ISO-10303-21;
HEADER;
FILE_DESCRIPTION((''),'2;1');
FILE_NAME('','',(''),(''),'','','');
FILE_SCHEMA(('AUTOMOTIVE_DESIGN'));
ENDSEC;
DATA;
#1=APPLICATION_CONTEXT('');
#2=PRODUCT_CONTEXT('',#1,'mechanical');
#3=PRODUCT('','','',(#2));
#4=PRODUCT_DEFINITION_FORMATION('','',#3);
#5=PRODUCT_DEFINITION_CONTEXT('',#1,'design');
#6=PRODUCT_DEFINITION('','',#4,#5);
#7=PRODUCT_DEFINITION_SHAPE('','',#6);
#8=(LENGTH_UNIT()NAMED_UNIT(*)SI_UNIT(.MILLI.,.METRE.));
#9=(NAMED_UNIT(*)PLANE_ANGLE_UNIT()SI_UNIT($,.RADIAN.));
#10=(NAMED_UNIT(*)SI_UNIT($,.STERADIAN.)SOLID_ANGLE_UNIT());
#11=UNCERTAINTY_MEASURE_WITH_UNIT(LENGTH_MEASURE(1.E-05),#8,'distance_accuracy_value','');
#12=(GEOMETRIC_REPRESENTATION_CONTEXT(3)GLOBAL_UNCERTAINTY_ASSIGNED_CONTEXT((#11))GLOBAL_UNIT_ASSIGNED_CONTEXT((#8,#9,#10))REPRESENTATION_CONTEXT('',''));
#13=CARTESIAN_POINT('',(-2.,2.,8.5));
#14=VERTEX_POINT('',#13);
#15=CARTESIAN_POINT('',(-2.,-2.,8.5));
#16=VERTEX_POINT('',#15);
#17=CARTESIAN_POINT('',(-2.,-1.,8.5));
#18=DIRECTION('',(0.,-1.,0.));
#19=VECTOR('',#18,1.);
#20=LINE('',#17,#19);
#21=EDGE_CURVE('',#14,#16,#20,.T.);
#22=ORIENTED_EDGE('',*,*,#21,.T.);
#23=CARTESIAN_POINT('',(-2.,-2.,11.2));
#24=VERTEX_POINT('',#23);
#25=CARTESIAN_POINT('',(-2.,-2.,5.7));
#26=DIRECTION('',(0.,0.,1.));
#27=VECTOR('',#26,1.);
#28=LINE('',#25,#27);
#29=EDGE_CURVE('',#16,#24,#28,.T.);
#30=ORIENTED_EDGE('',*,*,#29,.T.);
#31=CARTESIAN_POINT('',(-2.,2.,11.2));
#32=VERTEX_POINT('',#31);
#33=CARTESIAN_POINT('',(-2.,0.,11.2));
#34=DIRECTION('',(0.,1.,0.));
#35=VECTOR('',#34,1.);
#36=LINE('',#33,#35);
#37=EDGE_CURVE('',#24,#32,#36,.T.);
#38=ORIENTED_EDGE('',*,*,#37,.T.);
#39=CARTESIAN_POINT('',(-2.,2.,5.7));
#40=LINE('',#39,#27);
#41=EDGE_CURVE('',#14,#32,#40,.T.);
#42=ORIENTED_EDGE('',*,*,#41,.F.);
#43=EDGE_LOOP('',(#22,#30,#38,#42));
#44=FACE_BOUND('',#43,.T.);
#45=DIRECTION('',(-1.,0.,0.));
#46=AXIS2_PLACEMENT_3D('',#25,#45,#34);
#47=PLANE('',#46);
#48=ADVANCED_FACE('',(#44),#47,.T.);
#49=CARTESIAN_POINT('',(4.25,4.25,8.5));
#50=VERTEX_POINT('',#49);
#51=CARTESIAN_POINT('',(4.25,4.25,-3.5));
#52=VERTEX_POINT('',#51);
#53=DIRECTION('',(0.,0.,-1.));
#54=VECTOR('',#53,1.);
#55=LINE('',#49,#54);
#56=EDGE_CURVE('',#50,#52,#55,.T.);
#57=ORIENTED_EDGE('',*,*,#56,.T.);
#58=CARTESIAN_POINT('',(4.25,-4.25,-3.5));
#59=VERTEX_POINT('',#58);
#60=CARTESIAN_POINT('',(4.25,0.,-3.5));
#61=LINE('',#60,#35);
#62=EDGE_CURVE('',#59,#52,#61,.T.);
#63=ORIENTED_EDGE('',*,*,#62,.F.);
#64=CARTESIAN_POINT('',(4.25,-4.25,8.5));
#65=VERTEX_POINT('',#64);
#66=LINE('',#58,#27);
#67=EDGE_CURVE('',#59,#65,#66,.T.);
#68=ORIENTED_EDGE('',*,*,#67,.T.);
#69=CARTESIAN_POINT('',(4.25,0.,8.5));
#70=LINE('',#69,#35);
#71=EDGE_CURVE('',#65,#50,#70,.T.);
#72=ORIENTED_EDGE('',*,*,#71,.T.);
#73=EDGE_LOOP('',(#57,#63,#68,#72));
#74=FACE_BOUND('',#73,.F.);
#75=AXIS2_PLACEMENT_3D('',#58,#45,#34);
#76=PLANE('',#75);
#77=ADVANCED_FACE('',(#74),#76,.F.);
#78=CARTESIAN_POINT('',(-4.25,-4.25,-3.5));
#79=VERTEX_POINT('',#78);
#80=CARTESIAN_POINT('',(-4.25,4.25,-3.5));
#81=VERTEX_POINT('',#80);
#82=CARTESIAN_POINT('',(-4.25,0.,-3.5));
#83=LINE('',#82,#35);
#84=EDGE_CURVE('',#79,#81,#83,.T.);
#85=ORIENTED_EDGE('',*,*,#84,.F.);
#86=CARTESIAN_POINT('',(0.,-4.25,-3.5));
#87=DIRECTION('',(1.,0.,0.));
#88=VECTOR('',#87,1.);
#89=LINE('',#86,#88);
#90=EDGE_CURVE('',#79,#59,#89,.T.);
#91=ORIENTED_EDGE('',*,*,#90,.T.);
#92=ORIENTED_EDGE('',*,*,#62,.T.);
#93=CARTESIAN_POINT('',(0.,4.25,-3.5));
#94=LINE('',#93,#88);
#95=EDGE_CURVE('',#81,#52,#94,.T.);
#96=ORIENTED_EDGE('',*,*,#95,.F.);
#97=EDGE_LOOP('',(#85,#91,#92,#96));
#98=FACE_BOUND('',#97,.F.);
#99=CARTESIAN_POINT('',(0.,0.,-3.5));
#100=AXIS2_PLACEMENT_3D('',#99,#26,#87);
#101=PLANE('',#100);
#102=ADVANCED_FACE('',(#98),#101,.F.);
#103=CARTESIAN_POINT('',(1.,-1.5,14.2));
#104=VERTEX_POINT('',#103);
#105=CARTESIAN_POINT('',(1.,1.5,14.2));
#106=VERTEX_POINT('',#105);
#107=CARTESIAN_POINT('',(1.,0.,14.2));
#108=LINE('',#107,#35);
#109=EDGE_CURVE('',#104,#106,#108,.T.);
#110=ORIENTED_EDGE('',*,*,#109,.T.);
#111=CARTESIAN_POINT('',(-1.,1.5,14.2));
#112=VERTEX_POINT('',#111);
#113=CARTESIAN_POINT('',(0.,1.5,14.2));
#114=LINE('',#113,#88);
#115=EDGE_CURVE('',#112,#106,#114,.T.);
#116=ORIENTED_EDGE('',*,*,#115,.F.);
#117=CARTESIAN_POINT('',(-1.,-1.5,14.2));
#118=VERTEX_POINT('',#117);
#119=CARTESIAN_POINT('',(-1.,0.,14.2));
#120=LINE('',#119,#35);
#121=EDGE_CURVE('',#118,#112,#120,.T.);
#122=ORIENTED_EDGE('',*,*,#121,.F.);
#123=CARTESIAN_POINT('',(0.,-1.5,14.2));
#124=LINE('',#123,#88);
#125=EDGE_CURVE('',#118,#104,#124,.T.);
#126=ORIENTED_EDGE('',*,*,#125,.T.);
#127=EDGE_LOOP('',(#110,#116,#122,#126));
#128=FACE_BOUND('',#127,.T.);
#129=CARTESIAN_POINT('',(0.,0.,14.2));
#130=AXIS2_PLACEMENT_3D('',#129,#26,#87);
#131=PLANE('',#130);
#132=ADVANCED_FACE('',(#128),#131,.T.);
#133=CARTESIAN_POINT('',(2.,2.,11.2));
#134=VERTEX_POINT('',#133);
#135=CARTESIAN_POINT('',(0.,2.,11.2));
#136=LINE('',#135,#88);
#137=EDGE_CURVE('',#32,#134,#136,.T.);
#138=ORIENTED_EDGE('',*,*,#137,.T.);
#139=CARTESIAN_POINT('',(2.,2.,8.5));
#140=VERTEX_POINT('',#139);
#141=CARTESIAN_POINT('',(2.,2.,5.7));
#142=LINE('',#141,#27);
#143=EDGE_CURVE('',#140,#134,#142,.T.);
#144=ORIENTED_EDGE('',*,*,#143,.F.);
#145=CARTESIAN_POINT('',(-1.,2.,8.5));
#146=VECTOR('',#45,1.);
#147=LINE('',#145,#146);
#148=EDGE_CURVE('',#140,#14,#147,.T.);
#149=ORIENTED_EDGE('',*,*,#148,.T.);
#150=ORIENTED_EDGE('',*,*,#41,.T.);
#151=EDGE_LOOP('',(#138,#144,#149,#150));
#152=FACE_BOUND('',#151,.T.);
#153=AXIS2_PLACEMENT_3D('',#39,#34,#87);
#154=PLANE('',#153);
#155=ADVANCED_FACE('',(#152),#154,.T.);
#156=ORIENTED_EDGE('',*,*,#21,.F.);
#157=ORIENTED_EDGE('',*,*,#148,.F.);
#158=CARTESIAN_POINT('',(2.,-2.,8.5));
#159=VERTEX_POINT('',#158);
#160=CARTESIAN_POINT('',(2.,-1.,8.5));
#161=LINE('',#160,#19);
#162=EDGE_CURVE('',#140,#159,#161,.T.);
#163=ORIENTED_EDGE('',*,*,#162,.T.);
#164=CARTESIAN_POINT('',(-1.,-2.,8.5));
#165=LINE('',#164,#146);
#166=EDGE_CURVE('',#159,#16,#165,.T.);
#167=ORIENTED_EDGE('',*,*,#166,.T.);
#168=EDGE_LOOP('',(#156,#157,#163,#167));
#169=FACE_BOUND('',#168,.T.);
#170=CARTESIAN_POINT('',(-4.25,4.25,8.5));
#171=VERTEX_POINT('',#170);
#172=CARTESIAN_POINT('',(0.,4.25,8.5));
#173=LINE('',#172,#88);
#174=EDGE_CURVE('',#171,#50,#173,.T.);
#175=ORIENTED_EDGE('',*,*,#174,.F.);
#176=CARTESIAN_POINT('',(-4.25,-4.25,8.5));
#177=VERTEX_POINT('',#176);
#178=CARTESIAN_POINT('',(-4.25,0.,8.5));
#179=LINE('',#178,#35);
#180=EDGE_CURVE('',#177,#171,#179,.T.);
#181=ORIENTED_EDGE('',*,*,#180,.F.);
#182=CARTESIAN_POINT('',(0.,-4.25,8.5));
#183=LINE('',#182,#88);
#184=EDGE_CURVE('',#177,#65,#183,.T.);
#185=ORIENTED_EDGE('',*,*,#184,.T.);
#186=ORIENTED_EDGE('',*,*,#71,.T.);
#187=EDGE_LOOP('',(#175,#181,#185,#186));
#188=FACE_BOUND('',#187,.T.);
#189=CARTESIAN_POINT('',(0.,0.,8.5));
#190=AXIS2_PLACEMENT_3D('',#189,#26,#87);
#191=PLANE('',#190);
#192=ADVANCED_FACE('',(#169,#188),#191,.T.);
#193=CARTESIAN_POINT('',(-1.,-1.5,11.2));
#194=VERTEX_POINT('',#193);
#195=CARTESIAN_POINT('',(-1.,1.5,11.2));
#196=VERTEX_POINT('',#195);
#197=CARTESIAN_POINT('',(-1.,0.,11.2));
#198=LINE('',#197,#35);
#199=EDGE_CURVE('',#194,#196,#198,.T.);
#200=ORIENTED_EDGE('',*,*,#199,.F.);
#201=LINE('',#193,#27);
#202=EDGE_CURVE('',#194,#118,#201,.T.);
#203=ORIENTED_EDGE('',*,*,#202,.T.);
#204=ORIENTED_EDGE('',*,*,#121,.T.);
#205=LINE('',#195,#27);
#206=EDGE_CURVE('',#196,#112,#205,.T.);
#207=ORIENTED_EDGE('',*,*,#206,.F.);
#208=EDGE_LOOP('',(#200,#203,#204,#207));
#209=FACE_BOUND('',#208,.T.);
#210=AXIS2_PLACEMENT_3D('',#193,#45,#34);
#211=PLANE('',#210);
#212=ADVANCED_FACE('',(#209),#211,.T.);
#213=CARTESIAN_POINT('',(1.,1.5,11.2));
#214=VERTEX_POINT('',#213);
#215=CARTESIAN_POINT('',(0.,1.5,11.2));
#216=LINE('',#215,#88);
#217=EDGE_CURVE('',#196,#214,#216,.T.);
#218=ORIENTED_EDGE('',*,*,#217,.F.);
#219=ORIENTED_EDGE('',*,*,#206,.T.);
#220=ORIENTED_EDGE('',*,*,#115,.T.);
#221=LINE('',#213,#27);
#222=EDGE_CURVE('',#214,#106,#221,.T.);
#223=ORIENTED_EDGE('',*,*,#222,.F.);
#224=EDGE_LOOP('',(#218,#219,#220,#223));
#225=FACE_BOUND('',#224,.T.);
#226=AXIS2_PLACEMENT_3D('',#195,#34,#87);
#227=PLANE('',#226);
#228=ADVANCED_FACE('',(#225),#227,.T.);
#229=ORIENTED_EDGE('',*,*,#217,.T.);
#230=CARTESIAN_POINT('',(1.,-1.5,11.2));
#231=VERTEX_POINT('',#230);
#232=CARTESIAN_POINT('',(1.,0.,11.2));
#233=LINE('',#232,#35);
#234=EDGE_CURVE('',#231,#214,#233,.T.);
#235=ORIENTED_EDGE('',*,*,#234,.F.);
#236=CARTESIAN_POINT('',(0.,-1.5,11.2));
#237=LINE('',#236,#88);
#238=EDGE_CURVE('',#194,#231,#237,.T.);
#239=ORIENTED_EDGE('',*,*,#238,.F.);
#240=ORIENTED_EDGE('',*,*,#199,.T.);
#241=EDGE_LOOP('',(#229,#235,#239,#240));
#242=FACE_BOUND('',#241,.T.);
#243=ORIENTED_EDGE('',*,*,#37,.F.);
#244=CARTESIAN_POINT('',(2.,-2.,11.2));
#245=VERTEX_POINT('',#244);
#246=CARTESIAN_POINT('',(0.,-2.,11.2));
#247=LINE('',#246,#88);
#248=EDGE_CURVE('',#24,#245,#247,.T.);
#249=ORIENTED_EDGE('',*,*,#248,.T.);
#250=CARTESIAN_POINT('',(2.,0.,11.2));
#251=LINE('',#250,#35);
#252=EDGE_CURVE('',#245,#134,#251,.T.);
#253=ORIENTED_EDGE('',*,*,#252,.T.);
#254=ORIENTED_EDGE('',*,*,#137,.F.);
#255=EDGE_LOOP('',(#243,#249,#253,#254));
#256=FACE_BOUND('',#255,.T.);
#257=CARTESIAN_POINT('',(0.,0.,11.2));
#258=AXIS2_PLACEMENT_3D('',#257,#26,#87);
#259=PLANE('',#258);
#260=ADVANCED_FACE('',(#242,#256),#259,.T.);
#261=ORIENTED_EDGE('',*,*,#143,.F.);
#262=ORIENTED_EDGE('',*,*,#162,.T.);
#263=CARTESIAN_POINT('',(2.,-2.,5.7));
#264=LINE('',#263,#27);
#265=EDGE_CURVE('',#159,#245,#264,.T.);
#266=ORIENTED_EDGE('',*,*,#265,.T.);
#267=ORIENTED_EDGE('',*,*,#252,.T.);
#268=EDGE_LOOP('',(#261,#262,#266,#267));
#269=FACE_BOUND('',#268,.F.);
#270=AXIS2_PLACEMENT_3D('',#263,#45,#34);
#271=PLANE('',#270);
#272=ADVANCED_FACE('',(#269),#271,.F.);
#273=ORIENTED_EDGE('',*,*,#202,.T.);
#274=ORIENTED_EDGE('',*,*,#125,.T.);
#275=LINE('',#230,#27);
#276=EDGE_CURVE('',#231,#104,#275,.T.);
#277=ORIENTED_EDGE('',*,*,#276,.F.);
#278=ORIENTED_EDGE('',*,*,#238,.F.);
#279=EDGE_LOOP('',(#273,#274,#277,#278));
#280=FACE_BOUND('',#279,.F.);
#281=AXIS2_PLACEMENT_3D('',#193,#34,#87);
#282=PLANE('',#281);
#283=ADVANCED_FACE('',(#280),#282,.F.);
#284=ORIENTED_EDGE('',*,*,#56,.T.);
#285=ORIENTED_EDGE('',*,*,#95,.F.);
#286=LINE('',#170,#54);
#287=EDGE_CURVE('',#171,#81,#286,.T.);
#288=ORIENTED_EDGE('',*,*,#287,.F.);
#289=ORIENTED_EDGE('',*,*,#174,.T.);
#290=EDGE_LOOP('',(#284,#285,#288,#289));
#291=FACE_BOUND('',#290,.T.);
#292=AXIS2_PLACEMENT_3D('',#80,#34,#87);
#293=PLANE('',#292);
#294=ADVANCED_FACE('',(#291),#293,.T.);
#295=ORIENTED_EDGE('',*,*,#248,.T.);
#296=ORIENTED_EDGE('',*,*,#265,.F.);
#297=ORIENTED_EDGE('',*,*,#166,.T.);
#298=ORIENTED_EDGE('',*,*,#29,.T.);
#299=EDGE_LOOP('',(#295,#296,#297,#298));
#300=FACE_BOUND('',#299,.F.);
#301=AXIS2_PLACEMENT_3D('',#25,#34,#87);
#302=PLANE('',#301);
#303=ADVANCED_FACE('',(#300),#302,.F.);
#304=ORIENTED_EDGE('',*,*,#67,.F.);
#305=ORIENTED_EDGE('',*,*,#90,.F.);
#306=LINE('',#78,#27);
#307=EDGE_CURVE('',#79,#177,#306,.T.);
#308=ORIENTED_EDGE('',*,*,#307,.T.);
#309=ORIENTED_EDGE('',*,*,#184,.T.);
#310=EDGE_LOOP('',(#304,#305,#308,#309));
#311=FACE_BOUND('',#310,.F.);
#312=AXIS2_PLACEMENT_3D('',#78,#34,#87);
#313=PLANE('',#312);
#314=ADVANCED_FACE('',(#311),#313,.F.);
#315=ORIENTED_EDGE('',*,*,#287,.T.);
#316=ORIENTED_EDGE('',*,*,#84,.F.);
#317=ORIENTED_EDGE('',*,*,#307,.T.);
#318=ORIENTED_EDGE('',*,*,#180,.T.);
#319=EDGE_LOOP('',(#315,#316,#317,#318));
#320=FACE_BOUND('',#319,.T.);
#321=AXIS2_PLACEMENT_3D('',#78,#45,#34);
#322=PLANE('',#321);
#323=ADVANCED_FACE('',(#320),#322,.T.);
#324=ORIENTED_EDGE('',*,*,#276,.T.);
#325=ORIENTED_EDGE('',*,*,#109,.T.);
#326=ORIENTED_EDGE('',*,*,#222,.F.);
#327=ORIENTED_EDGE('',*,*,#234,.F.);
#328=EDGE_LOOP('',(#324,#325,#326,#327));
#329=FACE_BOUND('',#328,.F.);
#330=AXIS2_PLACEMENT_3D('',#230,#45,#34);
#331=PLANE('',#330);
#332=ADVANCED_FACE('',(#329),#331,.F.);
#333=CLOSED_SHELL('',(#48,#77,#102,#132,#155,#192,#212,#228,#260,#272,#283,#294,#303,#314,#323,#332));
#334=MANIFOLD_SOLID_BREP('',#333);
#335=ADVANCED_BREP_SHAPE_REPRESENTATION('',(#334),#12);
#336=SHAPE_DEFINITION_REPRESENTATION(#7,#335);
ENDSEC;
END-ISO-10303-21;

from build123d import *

# Parameters (mm, degrees)
BOX075_W     = 4
BOX075_H     = 4
BOX075_DEPTH = 5.5
BOX076_W     = 8.5
BOX076_H     = 8.5
BOX076_DEPTH = 3.5
BOX078_W     = 2
BOX078_H     = 3
BOX078_DEPTH = 3
BOX074_W     = 8.5
BOX074_H     = 8.5
BOX074_DEPTH = 8.5


with BuildPart() as plunger:
    # Box075 → Box075 (new body)
    with BuildSketch(Plane(origin=(-2, -2, 5.7), x_dir=(1, 0, 0), z_dir=(0, 0, 1))):
        with Locations((2, 2)):
            Rectangle(BOX075_W, BOX075_H)
    extrude(amount=BOX075_DEPTH)


with BuildPart() as pins:
    # Box076 → Box076 (new body)
    with BuildSketch(Plane(origin=(-4.25, -4.25, -3.5), x_dir=(1, 0, 0), z_dir=(0, 0, 1))):
        with Locations((4.25, 4.25)):
            Rectangle(BOX076_W, BOX076_H)
    extrude(amount=BOX076_DEPTH)


with BuildPart() as plunger001:
    # Box078 → Box078 (new body)
    with BuildSketch(Plane(origin=(-1, -1.5, 11.2), x_dir=(1, 0, 0), z_dir=(0, 0, 1))):
        with Locations((1, 1.5)):
            Rectangle(BOX078_W, BOX078_H)
    extrude(amount=BOX078_DEPTH)


with BuildPart() as switch002:
    # Box074 → Box074 (new body)
    with BuildSketch(Plane(origin=(-4.25, -4.25, 0), x_dir=(1, 0, 0), z_dir=(0, 0, 1))):
        with Locations((4.25, 4.25)):
            Rectangle(BOX074_W, BOX074_H)
    extrude(amount=BOX074_DEPTH)

    # Fusion024: union plunger, pins, plunger001
    add(plunger.part)
    add(pins.part)
    add(plunger001.part)


solid = switch002.part
